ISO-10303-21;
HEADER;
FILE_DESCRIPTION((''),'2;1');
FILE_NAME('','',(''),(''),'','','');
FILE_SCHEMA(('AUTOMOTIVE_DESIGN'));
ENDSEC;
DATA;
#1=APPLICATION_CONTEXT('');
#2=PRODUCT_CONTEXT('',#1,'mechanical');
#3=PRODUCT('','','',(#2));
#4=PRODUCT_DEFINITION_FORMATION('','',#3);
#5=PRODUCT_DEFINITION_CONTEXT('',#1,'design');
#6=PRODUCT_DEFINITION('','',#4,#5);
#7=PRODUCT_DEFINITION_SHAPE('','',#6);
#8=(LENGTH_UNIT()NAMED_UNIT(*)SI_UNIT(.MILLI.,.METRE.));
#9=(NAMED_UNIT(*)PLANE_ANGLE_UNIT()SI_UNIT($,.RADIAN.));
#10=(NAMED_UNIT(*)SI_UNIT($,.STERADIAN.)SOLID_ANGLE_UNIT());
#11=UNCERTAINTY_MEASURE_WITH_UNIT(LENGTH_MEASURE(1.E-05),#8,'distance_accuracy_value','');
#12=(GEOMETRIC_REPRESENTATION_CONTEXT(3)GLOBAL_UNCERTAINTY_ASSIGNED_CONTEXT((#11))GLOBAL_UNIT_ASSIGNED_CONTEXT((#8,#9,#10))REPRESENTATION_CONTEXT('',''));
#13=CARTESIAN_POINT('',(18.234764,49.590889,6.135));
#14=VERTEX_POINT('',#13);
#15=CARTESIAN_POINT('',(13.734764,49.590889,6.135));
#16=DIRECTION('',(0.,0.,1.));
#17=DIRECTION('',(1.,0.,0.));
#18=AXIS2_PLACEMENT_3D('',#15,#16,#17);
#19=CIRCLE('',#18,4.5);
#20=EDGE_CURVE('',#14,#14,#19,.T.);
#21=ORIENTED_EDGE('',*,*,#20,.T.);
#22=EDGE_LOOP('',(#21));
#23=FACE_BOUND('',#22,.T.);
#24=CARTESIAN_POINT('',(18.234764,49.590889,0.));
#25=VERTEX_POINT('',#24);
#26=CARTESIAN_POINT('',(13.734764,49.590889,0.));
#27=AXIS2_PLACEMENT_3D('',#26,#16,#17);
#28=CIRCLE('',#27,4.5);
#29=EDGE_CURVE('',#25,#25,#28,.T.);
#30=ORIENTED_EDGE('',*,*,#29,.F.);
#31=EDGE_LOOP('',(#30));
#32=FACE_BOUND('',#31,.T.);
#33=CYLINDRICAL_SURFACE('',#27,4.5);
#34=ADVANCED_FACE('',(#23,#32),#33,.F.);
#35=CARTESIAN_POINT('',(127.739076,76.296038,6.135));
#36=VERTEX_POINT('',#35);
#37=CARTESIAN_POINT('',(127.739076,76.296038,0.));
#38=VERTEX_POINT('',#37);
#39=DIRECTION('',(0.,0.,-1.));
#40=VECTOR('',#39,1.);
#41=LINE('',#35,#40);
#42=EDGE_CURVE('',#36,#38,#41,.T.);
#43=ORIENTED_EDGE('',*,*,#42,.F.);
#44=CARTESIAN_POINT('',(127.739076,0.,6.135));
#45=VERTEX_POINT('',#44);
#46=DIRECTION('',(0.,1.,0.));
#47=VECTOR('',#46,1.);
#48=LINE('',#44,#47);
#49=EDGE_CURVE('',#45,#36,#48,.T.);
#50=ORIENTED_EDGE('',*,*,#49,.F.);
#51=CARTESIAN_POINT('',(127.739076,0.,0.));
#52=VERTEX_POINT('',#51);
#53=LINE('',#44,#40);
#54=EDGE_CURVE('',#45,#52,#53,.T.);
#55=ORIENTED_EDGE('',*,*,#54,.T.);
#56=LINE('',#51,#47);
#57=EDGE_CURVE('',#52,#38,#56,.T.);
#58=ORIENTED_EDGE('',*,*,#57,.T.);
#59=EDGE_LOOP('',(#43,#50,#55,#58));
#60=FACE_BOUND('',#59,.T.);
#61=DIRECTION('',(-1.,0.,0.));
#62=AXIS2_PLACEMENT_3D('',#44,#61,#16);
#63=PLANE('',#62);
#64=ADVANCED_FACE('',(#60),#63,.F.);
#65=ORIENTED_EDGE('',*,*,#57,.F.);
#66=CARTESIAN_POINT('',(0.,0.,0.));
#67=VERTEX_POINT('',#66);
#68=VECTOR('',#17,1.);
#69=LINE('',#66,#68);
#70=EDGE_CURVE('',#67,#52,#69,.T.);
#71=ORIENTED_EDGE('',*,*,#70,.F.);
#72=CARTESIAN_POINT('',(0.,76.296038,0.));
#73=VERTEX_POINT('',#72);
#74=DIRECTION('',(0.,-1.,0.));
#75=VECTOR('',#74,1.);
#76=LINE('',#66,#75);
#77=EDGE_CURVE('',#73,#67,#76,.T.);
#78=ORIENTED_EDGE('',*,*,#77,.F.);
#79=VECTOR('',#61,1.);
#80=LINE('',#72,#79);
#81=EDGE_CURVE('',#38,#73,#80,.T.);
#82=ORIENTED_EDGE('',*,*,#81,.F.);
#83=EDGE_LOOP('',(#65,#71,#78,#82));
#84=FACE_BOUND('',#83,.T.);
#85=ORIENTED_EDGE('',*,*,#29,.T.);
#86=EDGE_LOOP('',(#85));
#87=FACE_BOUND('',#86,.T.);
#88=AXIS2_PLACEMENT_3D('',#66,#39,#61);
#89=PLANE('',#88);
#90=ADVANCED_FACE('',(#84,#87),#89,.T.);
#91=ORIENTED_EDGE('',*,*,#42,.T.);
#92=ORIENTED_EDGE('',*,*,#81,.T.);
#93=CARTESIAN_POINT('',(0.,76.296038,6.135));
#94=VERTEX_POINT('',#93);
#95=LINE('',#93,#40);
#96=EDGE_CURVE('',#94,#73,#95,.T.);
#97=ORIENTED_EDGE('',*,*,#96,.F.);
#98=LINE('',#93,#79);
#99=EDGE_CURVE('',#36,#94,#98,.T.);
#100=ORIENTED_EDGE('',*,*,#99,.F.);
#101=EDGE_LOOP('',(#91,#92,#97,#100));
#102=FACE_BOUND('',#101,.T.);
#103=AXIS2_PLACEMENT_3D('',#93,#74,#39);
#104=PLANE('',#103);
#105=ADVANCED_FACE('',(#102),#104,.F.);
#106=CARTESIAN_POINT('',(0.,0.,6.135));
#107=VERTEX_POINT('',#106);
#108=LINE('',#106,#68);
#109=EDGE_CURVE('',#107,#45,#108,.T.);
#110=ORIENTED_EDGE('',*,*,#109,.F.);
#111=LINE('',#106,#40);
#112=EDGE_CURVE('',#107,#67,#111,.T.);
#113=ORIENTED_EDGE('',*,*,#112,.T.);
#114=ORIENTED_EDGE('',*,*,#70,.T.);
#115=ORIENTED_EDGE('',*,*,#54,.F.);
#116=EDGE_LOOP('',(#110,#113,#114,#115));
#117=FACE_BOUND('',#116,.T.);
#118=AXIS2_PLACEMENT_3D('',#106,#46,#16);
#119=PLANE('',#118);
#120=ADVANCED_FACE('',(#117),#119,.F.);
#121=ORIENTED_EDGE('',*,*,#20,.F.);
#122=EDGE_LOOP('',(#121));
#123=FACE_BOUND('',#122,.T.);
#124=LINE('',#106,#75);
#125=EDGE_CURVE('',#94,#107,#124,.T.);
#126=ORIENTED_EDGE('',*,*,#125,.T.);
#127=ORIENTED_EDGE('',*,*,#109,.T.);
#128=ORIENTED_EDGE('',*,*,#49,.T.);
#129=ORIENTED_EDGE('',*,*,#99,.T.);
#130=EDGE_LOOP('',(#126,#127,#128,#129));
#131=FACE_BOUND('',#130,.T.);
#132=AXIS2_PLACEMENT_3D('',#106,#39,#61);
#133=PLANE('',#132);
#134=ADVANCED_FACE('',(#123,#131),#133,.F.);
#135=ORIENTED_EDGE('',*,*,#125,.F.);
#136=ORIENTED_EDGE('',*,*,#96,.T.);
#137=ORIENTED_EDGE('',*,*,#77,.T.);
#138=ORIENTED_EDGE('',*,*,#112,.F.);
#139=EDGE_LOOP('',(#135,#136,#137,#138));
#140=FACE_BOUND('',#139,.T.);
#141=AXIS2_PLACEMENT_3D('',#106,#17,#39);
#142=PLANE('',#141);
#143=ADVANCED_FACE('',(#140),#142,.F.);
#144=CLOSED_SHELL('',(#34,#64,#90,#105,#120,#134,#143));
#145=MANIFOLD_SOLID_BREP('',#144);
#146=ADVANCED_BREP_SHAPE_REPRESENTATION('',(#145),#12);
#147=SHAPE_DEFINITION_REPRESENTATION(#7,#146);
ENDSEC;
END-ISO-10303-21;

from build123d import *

# Parameters (mm, degrees)
SKETCH1_W           = 127.739076114
SKETCH1_H           = 76.296038139
BOSS_EXTRUDE1_DEPTH = 6.135
SKETCH2_R           = 4.5
CUT_EXTRUDE1_DEPTH  = 7.135


with BuildPart() as part:
    # Sketch1 → Boss-Extrude1 (new body)
    with BuildSketch(Plane.XY):
        with Locations((63.869538057, 38.14801907)):
            Rectangle(SKETCH1_W, SKETCH1_H)
    extrude(amount=BOSS_EXTRUDE1_DEPTH)

    # Sketch2 → Cut-Extrude1 (cut, through all)
    with BuildSketch(Plane.XY.offset(6.135)):
        with Locations((13.734764467, 49.590888918)):
            Circle(SKETCH2_R)
    extrude(amount=-CUT_EXTRUDE1_DEPTH, mode=Mode.SUBTRACT)


solid = part.part
